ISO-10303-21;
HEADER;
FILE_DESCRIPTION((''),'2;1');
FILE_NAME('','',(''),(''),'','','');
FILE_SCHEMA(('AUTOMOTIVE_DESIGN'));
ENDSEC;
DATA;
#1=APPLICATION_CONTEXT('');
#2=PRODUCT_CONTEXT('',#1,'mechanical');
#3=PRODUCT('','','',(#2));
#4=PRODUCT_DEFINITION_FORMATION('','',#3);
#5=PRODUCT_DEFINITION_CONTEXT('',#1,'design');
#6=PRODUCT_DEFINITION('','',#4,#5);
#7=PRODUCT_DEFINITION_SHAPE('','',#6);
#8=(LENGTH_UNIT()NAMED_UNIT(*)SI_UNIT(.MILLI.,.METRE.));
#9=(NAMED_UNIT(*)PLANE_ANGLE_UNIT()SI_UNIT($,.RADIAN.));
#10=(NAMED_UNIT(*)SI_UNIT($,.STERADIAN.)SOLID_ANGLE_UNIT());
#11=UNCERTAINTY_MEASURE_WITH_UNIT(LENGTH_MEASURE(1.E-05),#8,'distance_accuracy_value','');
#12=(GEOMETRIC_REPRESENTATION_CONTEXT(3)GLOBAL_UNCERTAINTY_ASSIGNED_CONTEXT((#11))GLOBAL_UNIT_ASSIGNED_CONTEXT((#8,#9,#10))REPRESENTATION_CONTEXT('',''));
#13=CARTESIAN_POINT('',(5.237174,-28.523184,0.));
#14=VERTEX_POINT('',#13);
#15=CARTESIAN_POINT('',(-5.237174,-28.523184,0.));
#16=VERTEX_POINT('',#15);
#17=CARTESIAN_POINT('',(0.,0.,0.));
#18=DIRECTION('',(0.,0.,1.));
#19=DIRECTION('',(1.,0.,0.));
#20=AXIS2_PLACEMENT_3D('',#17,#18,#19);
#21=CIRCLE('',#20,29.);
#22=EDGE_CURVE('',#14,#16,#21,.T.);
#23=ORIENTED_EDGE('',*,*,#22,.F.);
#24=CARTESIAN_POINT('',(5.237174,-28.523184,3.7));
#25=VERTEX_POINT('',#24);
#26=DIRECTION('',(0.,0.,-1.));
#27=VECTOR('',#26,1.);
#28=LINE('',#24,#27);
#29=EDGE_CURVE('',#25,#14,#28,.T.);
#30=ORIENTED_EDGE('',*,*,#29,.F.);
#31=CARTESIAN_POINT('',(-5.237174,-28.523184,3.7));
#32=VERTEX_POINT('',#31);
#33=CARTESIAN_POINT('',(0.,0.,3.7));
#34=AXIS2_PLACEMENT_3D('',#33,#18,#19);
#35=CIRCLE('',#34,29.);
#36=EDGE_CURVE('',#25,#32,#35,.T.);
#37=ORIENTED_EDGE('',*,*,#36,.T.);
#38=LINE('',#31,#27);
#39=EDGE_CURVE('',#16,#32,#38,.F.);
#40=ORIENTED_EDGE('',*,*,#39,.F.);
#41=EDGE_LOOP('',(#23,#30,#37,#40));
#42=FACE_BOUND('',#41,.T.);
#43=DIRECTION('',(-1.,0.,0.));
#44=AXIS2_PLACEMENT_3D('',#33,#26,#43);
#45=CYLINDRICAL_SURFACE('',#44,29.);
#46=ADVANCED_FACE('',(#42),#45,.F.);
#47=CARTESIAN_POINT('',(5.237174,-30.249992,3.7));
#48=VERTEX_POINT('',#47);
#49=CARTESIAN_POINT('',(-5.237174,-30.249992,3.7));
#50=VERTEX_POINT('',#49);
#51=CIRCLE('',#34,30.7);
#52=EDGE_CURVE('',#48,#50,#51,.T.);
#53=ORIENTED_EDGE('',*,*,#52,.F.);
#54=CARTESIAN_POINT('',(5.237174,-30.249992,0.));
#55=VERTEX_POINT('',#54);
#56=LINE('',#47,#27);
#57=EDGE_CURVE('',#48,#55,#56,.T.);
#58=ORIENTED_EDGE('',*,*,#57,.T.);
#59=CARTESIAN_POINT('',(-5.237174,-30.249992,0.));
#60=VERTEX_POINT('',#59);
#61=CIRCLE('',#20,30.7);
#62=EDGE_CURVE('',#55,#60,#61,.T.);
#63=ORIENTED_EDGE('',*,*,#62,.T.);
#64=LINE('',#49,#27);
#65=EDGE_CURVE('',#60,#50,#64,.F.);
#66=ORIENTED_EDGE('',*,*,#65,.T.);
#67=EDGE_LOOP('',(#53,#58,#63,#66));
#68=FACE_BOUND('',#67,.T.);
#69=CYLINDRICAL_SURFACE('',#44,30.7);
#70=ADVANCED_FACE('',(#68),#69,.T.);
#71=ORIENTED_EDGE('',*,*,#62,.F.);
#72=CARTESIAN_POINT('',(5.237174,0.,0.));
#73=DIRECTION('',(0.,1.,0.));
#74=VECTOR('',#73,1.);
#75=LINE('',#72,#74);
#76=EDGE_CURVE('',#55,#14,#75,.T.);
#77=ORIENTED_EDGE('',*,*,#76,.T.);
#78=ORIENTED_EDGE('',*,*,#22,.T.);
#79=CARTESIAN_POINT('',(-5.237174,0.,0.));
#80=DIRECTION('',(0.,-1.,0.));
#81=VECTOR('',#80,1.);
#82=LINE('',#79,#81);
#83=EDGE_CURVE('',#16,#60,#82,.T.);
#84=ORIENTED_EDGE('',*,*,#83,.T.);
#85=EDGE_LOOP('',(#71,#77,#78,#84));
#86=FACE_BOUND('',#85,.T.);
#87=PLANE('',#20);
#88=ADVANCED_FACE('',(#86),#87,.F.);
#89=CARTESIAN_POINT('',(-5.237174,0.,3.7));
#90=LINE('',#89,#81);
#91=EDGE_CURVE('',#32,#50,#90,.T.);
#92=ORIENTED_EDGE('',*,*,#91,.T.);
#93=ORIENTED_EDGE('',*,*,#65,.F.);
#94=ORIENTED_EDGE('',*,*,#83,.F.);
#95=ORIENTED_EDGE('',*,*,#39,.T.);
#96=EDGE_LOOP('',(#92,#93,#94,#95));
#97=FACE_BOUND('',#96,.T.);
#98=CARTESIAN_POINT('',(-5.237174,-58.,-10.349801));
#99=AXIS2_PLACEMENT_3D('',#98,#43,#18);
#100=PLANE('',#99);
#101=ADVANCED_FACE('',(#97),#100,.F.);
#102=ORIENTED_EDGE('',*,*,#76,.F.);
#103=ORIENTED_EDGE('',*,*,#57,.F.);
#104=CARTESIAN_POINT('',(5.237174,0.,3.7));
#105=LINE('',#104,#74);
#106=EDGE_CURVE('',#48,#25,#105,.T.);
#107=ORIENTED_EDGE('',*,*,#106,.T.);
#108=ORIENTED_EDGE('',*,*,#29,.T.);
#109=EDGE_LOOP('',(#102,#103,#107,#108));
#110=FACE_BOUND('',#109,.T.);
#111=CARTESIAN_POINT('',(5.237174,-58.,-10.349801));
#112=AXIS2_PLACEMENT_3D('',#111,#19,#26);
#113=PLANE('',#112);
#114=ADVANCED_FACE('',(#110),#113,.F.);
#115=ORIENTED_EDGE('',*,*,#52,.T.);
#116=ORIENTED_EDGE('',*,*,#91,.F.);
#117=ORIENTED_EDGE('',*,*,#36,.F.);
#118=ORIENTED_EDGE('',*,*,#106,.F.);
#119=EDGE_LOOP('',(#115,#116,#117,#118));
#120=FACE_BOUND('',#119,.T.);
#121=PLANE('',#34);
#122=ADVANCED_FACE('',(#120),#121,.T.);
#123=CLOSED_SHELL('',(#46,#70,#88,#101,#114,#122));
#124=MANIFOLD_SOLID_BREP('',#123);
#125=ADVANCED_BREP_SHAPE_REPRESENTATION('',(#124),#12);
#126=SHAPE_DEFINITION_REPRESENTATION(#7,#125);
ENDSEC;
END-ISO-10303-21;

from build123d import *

# Parameters (mm, degrees)
SKETCH1_R           = 30.7
SKETCH1_R_2         = 29
BOSS_EXTRUDE1_DEPTH = 3.7
SKETCH2_W           = 10.47434743
SKETCH2_H           = 20.699601854
CUT_EXTRUDE1_DEPTH  = 58


with BuildPart() as part:
    # Sketch1 → Boss-Extrude1 (new body)
    with BuildSketch(Plane.XY):
        Circle(SKETCH1_R)
        Circle(SKETCH1_R_2, mode=Mode.SUBTRACT)
    extrude(amount=BOSS_EXTRUDE1_DEPTH)

    # Sketch2 → Cut-Extrude1 (cut)
    with BuildSketch(Plane(origin=(0, 0, 0), x_dir=(1, 0, 0), z_dir=(0, 1, 0))):
        Rectangle(SKETCH2_W, SKETCH2_H)
    extrude(amount=-CUT_EXTRUDE1_DEPTH, mode=Mode.SUBTRACT)


solid = part.part
